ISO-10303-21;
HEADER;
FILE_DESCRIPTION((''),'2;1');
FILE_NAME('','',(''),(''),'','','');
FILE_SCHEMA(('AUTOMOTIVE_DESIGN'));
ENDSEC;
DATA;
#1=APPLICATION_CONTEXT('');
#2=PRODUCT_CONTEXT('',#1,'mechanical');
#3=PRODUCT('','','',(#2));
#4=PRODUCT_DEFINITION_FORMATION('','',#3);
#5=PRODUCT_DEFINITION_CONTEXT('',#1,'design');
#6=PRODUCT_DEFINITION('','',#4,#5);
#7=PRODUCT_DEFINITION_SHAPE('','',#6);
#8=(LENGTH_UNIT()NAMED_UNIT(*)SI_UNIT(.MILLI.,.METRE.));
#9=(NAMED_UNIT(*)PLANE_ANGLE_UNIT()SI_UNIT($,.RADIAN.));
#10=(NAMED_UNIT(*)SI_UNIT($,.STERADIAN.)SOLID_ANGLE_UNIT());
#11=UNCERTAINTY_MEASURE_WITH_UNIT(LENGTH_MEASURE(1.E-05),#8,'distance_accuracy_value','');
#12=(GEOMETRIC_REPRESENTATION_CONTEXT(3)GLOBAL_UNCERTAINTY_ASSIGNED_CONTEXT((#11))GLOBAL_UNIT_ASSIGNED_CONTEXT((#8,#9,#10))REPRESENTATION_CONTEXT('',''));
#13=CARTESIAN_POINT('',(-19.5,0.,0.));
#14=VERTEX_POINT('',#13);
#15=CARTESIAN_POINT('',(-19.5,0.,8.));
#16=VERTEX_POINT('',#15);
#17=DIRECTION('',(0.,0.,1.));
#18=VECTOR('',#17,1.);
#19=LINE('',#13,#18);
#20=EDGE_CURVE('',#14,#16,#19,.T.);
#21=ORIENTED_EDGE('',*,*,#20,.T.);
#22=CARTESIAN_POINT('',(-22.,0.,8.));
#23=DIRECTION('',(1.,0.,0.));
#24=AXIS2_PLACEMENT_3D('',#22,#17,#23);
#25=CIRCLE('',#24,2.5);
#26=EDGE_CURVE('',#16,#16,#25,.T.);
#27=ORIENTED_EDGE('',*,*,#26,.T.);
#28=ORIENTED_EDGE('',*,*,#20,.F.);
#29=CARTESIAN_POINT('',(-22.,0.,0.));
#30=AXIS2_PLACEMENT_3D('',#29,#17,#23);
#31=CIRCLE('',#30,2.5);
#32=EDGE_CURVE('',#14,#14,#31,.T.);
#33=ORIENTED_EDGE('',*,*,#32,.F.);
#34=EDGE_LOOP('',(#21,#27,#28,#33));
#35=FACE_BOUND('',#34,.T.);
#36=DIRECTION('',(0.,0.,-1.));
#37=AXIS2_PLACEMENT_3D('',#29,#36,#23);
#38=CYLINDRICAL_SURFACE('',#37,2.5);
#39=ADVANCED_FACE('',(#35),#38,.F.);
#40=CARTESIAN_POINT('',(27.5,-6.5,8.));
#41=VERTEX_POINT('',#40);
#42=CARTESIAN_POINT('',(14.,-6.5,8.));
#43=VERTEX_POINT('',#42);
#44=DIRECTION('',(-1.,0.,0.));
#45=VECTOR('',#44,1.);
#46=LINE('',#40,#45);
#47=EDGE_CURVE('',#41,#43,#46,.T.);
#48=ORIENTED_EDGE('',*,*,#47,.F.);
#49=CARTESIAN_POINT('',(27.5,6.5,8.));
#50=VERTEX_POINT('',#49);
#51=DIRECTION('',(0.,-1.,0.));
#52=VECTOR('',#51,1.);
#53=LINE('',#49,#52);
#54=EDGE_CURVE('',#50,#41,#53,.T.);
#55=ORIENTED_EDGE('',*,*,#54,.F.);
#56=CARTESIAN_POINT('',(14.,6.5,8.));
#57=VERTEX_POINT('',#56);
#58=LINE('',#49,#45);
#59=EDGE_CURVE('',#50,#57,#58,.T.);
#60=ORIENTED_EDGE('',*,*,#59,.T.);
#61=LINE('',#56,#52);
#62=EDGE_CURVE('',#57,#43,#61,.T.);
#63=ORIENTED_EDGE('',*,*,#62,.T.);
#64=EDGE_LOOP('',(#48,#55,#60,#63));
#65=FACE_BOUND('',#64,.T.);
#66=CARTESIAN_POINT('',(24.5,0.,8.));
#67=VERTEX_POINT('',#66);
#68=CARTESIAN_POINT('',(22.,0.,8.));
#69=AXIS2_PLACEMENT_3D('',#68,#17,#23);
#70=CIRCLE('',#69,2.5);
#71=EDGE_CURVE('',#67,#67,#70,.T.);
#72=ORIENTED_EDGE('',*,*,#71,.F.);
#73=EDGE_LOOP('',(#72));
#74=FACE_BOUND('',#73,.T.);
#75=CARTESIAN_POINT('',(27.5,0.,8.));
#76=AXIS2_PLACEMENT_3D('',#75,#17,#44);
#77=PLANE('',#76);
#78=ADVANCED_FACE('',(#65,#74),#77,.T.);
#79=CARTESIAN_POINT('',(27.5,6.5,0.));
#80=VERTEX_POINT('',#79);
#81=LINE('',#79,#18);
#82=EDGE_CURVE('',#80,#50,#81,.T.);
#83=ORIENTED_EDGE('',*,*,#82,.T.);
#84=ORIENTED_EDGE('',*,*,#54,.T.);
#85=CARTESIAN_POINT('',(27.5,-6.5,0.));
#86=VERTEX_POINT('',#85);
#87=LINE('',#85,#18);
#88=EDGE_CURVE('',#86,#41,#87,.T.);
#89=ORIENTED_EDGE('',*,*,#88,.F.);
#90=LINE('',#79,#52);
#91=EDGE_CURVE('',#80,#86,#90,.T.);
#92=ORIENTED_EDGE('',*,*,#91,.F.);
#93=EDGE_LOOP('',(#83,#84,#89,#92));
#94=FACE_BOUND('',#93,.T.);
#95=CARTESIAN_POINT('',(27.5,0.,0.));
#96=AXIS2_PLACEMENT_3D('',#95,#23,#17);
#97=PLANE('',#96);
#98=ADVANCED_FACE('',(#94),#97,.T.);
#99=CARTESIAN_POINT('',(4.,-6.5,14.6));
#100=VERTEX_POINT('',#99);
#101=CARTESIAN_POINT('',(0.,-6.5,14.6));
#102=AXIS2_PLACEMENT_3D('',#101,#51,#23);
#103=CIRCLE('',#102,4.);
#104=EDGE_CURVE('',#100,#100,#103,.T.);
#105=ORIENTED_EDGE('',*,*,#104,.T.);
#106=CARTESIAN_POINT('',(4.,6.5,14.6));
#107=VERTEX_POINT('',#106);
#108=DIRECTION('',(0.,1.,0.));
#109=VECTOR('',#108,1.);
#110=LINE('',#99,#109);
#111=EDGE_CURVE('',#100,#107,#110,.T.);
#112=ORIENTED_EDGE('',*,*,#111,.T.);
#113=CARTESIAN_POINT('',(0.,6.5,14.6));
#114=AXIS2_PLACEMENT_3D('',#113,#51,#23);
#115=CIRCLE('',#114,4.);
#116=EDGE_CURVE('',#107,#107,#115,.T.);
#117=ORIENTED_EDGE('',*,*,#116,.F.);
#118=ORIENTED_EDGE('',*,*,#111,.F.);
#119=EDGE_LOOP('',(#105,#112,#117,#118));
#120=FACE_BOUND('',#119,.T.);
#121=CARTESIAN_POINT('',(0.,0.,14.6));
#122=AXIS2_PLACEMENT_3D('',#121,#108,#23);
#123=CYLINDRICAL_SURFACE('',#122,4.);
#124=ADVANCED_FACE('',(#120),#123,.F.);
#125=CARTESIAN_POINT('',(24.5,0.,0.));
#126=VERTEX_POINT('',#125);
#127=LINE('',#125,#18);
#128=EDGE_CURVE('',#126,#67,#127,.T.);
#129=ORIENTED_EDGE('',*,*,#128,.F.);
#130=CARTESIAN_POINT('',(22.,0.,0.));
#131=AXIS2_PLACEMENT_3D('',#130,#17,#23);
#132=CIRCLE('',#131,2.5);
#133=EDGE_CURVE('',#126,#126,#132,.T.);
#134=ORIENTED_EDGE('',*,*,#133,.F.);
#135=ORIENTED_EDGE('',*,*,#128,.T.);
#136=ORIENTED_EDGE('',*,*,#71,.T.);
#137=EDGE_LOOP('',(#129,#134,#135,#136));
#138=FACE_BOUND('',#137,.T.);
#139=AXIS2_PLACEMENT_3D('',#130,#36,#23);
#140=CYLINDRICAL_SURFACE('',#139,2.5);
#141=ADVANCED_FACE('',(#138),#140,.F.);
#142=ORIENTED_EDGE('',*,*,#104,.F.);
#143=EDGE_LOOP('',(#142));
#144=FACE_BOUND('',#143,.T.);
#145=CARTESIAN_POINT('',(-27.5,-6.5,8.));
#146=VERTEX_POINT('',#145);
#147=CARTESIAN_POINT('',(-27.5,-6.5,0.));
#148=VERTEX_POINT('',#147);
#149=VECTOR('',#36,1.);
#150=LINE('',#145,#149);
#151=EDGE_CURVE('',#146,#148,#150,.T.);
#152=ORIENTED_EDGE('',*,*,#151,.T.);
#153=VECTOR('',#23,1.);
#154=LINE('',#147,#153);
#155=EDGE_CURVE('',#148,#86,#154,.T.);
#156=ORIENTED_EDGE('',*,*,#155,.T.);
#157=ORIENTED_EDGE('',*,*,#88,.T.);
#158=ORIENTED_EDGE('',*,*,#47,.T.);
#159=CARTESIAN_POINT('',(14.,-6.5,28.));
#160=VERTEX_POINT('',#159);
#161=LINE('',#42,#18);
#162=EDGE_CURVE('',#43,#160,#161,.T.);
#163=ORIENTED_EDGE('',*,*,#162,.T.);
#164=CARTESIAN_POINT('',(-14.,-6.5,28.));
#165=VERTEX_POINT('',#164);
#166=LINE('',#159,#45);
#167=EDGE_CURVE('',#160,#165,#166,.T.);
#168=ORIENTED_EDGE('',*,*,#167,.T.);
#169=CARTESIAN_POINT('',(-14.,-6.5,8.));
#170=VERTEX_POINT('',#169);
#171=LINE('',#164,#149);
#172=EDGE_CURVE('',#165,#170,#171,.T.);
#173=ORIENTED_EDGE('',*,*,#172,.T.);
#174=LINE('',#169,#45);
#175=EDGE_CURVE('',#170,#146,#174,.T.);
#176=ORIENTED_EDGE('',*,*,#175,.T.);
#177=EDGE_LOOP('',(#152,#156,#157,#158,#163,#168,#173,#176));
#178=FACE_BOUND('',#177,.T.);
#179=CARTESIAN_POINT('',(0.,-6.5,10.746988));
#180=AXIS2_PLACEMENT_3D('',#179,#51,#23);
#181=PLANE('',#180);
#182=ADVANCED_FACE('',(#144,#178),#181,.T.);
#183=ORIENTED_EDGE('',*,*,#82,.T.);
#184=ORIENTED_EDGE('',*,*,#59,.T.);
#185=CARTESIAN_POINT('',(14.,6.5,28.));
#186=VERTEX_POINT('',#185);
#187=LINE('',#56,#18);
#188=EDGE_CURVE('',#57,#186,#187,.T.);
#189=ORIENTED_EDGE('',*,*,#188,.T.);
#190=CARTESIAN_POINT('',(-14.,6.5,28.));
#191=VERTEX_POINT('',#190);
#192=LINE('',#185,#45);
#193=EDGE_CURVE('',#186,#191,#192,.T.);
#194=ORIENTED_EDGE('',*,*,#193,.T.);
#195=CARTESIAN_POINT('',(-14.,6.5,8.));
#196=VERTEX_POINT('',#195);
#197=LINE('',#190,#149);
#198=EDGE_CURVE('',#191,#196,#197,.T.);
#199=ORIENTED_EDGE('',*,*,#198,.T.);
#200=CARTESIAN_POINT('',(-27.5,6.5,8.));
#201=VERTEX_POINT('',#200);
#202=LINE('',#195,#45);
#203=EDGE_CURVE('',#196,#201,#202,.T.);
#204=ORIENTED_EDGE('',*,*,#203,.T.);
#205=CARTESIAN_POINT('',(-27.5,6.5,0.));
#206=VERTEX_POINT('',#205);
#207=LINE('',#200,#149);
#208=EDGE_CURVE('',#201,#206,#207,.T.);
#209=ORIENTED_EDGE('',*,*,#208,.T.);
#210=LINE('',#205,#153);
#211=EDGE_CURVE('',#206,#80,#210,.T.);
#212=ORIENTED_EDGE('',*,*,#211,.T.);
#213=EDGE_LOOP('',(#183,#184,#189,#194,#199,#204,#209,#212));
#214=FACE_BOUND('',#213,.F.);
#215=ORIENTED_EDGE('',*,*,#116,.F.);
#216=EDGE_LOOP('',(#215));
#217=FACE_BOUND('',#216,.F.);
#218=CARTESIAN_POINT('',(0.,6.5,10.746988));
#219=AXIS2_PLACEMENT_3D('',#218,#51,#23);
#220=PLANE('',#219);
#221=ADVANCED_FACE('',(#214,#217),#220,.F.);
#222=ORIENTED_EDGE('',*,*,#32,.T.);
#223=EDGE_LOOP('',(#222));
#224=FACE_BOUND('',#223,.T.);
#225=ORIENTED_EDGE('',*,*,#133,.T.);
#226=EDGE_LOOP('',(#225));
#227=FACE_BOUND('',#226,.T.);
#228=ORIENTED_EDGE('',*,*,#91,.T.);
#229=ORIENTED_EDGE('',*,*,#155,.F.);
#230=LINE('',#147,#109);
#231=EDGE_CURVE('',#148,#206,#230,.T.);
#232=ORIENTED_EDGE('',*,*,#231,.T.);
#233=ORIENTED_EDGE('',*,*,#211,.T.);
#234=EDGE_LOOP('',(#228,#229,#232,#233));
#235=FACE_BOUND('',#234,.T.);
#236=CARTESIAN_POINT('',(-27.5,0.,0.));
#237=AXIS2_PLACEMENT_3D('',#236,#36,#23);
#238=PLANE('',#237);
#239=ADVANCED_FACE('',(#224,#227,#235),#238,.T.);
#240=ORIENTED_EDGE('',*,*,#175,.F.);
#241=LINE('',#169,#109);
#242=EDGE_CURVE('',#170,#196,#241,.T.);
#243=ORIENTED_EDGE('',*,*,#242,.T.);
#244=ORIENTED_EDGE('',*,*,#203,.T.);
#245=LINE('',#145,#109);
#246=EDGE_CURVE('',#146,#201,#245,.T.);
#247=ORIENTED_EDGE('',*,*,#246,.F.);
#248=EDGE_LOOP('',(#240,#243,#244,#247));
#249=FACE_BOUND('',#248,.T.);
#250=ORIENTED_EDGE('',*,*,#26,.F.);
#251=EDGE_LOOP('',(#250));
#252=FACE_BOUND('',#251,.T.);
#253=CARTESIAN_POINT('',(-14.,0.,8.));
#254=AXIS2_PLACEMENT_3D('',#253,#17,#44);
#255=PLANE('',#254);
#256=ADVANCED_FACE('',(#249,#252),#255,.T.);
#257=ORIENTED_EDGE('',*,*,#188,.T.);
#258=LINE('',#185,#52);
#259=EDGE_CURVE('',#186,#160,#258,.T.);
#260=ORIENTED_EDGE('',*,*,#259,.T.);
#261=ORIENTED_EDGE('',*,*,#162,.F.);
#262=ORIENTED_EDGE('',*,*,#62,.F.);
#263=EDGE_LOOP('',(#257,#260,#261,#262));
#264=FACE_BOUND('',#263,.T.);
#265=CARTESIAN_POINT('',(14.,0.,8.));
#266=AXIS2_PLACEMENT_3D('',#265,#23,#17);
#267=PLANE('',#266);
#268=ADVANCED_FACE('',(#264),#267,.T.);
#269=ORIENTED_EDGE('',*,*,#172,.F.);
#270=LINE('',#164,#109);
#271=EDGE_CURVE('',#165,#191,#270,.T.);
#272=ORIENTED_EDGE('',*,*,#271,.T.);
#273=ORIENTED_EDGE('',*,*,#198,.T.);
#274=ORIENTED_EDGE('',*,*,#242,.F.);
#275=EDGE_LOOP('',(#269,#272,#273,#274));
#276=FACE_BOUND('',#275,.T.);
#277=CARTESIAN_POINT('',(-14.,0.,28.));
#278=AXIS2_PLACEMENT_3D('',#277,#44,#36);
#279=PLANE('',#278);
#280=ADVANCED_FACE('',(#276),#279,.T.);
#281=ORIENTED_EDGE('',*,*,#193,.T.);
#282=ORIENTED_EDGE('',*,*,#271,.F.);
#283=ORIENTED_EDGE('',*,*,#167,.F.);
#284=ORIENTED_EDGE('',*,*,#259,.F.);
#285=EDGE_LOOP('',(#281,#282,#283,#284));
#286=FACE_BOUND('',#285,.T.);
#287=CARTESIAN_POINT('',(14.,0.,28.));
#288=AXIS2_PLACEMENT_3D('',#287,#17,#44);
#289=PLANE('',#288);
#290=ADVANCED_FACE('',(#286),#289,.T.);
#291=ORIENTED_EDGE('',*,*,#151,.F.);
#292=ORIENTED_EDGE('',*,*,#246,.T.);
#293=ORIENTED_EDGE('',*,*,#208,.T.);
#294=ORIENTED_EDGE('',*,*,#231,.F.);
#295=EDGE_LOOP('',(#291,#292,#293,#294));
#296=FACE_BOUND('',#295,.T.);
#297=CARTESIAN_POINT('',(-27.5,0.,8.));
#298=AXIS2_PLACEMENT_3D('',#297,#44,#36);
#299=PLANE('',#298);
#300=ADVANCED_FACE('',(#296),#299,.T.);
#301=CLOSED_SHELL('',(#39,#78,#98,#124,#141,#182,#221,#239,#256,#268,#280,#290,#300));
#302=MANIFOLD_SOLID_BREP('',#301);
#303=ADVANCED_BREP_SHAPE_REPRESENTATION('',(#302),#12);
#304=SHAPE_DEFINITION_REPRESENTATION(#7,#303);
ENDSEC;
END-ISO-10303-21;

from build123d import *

# Parameters (mm, degrees)
F0_R     = 10.5
F0_R_2   = 4
F1_DEPTH = 6.5
F2_R     = 2.5
F3_DEPTH = 8


with BuildPart() as f1:
    # F0 (on Front) → F1 (new body, symmetric)
    with BuildSketch(Plane.XZ):
        Polygon((-27.5, 0), (0, 0), (27.5, 0), (27.5, 8), (14, 8), (14, 28), (0, 28), (-14, 28), (-14, 8), (-27.5, 8), align=None)
        with Locations((0, 14.6)):
            Circle(F0_R, mode=Mode.SUBTRACT)
        with Locations((0, 14.6)):
            Circle(F0_R)
        with Locations((0, 14.6)):
            Circle(F0_R_2, mode=Mode.SUBTRACT)
    extrude(amount=F1_DEPTH, both=True)

    # F2 (on Top) → F3 (cut, through all)
    with BuildSketch(Plane.XY):
        with Locations((22, 0)):
            Circle(F2_R)
        with Locations((-22, 0)):
            Circle(F2_R)
    extrude(amount=F3_DEPTH, mode=Mode.SUBTRACT)


solid = f1.part
